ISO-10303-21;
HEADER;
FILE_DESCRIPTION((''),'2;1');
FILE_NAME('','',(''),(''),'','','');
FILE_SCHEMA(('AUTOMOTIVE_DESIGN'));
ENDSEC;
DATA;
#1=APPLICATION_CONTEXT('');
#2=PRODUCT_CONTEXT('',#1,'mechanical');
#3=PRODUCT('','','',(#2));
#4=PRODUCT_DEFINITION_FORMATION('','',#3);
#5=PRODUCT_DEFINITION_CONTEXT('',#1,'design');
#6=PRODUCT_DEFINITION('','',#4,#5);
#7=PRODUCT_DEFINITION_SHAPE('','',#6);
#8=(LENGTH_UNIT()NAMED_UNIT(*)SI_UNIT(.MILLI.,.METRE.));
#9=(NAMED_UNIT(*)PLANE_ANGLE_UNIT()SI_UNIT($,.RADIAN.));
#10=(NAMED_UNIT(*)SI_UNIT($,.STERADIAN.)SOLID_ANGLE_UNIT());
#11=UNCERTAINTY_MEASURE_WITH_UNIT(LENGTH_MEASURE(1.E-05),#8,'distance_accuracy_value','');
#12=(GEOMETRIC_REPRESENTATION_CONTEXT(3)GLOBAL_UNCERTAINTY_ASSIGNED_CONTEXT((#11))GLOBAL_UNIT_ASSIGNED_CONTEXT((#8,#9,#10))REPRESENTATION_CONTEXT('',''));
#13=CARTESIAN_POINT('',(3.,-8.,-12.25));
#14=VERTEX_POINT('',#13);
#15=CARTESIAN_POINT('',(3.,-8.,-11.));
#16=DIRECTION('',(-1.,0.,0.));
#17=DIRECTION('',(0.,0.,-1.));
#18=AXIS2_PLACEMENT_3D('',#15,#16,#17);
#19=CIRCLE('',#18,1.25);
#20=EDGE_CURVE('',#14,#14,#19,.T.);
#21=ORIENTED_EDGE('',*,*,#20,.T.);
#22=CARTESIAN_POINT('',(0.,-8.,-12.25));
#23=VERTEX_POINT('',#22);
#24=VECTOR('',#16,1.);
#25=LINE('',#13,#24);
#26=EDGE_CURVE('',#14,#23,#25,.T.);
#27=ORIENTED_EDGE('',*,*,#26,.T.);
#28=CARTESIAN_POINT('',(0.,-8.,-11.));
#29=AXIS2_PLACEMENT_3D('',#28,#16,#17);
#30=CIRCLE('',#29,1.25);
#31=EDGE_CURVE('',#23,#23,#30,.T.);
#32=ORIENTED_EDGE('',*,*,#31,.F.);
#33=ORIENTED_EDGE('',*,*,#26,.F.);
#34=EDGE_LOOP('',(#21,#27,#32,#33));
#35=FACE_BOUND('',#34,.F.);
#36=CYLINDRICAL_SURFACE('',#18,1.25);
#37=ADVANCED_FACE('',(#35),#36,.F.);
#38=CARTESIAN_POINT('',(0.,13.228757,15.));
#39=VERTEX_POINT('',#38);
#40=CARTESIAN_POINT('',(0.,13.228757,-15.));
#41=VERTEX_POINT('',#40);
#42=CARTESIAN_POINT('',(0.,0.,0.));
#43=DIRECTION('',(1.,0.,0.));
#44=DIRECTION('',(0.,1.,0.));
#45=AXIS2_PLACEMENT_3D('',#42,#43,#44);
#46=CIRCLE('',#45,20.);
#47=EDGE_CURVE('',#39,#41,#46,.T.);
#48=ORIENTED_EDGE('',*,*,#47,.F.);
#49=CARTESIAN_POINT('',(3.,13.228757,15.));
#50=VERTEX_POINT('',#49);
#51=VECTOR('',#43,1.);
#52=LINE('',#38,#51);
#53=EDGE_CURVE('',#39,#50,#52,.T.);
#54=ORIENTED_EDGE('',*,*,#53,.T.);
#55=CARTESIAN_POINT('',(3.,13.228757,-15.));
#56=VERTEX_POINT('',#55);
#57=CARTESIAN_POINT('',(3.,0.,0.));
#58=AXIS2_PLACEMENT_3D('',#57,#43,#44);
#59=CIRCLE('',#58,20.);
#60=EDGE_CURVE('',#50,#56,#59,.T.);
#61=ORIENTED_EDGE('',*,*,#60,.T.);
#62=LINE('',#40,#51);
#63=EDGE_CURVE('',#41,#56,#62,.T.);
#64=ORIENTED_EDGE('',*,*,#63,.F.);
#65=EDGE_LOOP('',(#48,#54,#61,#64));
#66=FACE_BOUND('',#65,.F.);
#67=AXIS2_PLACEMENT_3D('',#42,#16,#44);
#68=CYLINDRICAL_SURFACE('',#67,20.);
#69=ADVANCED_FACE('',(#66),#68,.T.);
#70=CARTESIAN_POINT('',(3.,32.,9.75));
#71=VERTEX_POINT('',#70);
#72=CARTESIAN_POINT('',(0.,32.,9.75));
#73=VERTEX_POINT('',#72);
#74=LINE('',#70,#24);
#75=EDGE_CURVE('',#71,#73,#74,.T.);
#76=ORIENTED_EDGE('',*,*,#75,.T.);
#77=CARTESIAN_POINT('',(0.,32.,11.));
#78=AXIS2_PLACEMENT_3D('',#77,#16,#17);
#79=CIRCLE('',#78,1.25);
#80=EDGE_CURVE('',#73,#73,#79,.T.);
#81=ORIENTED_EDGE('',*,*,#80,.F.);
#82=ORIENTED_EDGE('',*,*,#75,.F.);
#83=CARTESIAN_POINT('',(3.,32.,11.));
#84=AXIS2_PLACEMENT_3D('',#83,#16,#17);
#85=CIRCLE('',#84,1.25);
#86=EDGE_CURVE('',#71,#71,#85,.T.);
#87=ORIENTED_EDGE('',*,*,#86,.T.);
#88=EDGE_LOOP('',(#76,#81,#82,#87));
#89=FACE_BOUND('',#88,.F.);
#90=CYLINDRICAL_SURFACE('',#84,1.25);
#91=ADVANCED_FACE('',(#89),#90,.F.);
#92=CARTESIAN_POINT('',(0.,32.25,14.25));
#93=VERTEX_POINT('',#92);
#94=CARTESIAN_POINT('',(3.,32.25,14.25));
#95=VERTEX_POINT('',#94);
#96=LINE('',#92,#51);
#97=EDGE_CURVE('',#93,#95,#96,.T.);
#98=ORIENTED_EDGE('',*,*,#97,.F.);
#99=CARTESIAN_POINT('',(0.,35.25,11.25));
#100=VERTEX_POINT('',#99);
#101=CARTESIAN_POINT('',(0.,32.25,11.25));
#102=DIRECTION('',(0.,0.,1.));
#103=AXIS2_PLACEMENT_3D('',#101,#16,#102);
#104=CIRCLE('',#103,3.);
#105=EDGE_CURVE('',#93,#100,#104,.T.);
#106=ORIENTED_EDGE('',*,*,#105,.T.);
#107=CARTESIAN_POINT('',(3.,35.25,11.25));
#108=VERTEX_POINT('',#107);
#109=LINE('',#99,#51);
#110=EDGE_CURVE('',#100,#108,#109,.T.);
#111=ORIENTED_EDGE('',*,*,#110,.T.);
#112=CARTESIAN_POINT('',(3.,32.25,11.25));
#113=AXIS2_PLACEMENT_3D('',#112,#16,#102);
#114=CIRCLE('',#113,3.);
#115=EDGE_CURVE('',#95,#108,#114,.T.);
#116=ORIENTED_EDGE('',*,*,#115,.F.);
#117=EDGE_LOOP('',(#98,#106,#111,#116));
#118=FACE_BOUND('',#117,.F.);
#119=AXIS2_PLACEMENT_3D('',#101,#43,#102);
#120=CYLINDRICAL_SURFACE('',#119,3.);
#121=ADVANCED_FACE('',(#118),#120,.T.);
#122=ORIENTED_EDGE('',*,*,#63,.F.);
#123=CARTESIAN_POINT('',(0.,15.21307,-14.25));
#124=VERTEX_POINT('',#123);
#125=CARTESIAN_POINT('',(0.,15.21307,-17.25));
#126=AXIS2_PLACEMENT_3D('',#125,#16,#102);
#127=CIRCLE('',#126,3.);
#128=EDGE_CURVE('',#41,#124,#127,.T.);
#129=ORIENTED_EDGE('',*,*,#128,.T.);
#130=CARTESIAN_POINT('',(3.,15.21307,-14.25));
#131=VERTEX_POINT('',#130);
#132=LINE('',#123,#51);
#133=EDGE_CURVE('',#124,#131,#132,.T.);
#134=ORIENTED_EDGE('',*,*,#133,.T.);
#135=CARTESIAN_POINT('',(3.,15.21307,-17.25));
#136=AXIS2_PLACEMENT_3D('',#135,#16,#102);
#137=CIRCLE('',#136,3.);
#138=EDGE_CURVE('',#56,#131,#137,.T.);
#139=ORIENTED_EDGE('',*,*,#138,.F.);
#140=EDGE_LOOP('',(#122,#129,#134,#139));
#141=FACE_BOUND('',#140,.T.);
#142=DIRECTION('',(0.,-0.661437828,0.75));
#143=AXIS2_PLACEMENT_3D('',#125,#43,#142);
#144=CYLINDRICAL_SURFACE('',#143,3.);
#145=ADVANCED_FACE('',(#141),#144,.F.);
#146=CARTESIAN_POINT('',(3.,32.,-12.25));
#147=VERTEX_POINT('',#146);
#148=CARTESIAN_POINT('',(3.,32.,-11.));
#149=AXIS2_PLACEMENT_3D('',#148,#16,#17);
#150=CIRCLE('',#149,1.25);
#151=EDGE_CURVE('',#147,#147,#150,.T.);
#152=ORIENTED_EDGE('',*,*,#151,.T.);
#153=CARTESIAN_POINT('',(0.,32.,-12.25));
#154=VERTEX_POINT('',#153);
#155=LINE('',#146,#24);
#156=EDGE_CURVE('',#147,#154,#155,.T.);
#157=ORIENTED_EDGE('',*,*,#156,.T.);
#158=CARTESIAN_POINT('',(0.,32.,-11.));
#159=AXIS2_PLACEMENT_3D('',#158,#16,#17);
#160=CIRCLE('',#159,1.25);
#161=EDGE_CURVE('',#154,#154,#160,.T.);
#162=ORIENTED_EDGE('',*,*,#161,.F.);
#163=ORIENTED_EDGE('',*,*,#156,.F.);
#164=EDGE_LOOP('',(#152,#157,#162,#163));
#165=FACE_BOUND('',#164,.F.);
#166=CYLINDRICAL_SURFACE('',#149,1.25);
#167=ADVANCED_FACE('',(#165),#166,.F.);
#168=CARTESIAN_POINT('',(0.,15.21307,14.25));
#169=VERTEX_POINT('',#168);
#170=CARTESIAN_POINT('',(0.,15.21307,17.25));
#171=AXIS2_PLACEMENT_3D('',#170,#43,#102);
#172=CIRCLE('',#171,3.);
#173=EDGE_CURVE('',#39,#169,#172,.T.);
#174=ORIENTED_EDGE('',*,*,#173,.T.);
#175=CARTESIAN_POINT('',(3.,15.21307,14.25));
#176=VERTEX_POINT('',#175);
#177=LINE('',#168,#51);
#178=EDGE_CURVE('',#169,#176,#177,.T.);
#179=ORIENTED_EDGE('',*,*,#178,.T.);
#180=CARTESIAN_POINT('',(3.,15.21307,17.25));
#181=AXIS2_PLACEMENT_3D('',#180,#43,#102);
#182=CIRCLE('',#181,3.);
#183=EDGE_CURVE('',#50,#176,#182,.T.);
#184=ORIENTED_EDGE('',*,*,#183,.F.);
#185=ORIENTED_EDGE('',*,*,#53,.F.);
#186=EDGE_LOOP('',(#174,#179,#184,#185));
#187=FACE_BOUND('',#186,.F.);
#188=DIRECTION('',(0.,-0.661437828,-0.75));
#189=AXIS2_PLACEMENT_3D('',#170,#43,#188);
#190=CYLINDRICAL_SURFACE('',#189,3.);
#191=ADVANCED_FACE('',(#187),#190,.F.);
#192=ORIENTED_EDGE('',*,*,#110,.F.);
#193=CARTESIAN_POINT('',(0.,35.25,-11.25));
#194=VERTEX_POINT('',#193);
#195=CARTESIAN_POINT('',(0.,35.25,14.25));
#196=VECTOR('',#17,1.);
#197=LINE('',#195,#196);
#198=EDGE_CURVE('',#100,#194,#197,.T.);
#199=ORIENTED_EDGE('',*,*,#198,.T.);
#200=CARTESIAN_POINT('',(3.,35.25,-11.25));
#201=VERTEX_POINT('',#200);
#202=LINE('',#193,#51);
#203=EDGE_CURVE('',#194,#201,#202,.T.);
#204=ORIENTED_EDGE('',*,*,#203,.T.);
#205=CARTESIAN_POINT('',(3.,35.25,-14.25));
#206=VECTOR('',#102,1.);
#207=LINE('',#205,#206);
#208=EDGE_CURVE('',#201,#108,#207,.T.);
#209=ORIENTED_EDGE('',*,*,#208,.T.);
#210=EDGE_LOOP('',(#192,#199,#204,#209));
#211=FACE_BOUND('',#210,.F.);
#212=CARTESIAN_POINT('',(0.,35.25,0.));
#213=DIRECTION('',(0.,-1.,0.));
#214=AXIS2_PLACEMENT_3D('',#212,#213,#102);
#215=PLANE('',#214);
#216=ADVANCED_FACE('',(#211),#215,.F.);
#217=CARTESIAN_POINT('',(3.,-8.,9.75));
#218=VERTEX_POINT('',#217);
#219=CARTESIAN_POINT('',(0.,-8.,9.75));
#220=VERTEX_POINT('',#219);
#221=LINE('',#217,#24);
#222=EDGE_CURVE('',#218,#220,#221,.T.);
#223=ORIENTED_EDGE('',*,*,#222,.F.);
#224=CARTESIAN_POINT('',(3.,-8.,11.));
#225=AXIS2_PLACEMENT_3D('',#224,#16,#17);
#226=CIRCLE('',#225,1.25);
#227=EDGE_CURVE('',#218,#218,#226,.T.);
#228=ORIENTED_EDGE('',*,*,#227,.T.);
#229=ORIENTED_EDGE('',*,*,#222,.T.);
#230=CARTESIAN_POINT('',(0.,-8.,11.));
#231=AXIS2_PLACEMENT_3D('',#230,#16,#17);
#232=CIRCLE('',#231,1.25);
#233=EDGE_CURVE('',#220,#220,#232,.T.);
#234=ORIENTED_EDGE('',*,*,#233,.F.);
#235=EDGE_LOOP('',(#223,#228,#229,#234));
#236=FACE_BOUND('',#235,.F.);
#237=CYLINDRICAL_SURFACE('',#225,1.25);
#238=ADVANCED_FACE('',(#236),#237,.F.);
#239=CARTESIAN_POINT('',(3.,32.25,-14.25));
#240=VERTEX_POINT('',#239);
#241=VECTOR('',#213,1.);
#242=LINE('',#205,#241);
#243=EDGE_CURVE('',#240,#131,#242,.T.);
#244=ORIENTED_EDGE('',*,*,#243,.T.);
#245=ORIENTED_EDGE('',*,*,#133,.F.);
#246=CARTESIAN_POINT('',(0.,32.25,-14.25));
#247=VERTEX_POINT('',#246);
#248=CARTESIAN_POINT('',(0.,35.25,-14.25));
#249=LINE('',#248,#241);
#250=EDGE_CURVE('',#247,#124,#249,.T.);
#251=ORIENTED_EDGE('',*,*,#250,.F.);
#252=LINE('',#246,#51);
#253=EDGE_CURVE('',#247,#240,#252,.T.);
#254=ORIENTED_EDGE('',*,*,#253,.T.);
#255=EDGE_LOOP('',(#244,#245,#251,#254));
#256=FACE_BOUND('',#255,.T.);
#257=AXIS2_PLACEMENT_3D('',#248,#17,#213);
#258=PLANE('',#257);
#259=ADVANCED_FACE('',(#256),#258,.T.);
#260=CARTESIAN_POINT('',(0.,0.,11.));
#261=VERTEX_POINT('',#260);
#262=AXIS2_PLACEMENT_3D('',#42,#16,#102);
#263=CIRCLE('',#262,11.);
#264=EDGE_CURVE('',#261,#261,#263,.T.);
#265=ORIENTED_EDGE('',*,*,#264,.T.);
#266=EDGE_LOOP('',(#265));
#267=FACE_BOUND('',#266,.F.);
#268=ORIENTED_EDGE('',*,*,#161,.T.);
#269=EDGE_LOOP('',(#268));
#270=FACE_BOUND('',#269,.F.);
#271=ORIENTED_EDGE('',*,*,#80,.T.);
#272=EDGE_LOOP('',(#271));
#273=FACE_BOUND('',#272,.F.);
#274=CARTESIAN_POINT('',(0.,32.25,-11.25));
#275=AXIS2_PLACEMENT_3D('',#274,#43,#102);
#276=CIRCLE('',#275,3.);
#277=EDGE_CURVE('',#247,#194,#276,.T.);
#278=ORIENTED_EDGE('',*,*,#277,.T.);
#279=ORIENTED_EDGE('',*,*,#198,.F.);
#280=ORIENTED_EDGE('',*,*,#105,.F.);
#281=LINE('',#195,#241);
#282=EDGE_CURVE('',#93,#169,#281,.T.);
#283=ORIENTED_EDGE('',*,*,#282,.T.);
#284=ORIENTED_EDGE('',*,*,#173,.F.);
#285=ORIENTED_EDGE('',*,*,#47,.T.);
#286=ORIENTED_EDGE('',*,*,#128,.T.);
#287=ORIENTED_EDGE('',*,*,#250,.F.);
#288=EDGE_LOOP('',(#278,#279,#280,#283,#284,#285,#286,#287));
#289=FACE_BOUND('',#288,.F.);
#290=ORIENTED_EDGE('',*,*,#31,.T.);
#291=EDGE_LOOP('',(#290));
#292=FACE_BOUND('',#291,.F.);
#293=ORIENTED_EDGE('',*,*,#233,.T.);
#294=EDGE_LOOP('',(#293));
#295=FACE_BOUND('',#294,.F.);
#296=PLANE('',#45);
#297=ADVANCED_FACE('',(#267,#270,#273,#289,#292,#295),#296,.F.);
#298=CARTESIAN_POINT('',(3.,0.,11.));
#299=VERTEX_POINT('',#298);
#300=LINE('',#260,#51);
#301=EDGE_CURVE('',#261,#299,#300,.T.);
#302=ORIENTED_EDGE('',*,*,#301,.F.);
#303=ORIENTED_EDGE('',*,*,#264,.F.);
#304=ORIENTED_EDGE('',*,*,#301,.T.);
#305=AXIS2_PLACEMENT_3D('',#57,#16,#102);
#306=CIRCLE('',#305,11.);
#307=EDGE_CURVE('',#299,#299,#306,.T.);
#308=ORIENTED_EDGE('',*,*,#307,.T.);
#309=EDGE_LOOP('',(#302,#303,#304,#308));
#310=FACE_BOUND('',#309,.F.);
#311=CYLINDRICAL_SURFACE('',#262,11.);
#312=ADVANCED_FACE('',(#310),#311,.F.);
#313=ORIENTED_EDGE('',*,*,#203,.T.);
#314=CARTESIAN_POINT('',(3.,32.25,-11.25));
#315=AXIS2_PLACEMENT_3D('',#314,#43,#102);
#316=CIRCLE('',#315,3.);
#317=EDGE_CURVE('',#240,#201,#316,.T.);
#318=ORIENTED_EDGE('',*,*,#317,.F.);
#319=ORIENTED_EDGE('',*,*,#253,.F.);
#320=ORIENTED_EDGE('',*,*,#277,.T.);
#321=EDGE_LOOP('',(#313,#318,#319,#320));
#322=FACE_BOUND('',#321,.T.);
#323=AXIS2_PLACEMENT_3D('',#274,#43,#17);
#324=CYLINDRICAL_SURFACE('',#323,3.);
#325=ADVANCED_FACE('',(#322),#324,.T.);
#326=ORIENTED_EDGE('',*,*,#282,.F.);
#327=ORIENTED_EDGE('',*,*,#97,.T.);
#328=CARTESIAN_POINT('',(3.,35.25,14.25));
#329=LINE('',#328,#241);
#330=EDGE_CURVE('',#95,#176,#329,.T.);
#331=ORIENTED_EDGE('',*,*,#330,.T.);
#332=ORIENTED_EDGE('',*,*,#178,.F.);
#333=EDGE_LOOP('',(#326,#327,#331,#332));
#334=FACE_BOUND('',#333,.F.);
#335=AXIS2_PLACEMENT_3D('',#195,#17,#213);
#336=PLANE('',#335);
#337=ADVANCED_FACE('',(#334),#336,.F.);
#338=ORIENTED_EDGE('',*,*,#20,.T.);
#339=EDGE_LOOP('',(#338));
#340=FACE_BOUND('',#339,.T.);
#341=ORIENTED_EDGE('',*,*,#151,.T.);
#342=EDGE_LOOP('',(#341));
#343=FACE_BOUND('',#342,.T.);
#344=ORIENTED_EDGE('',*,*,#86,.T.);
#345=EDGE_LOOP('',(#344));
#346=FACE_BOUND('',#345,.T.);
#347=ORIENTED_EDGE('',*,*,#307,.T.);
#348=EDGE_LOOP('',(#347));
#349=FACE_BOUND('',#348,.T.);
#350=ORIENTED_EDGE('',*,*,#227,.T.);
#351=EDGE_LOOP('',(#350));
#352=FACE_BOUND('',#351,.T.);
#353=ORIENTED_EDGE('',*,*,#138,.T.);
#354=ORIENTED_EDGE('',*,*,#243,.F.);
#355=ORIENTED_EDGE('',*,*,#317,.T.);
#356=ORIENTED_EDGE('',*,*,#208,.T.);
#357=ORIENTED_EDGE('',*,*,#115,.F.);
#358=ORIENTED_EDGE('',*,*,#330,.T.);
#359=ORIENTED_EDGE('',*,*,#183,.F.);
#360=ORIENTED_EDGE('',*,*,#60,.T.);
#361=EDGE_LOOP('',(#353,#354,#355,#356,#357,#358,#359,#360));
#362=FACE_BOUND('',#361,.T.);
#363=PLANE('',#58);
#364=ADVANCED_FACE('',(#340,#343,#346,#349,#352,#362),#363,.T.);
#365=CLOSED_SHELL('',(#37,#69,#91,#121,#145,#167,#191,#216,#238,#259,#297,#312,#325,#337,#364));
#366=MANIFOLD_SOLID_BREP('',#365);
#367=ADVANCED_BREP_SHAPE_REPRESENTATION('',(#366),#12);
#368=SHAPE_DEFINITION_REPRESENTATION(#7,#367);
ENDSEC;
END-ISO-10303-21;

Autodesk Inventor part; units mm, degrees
ref_plane "YZ Plane" through (0, 0, 0) normal (1, 0, 0) x (0, 1, 0)
ref_plane "XZ Plane" through (0, 0, 0) normal (0, 1, 0) x (-1, 0, 0)
ref_plane "XY Plane" through (0, 0, 0) normal (0, 0, 1) x (1, 0, 0)
sketch "スケッチ1" plane through (0, 0, 0) normal (1, 0, 0) x (0, 1, 0)
  circle A0 centre (0, 0) radius 20
  line L0 (0, 0) -> (35.25, 0)
  line L1 (35.25, 0) -> (35.25, -14.25)
  line L2 (35.25, -14.25) -> (0, -14.25)
  line L3 (0, -14.25) -> (0, 0)
  line L4 (35.25, 0) -> (35.25, 14.25)
  line L5 (35.25, 14.25) -> (0, 14.25)
  point P0 (14.0334, 14.25)
  point P1 (14.0334, -14.25)
  dimension "d0" = 40
  dimension "d1" = 14.25
  dimension "d2" = 35.25
extrude "押し出し1" add sketch "スケッチ1" along normal blind 3
sketch "スケッチ2" plane through (3, 0, 0) normal (1, 0, 0) x (0, 0, -1)
  line L0 (14.25, 35.25) -> (-14.25, 35.25) projected
  line L1 (-14.25, 35.25) -> (14.25, 35.25)
  line L2 (14.25, 35.25) -> (14.25, -11.25)
  line L3 (14.25, -11.25) -> (-14.25, -11.25)
  line L4 (-14.25, -11.25) -> (-14.25, 35.25)
  line L5 (-11, 32) -> (11, 32)
  line L6 (11, 32) -> (11, -8)
  line L7 (11, -8) -> (-11, -8)
  line L8 (-11, -8) -> (-11, 32)
  point P0 (0, 0)
  dimension "d5" = 46.5
  dimension "d6" = 3.25
  dimension "d7" = 3.25
  dimension "d8" = 3.25
  dimension "d9" = 3.25
hole "穴1" at (3, -8, 11) at (3, -8, -11) at (3, 32, -11) at (3, 32, 11) direction (-1, 0, 0) diameter 2.5 end through all
sketch "スケッチ3" plane through (0, 0, 0) normal (-1, 0, 0) x (0, 0, 1)
  circle A0 centre (0, 0) radius 11
  dimension "d17" = 22
extrude "押し出し2" cut sketch "スケッチ3" against normal blind 3
fillet "フィレット1" radius 3 4 edges at (1.5, 35.25, 14.25) (1.5, 14.0334, 14.25) (1.5, 35.25, -14.25) (1.5, 14.0334, -14.25)
properties part number "connectplate4" material "アルミニウム 6061"
